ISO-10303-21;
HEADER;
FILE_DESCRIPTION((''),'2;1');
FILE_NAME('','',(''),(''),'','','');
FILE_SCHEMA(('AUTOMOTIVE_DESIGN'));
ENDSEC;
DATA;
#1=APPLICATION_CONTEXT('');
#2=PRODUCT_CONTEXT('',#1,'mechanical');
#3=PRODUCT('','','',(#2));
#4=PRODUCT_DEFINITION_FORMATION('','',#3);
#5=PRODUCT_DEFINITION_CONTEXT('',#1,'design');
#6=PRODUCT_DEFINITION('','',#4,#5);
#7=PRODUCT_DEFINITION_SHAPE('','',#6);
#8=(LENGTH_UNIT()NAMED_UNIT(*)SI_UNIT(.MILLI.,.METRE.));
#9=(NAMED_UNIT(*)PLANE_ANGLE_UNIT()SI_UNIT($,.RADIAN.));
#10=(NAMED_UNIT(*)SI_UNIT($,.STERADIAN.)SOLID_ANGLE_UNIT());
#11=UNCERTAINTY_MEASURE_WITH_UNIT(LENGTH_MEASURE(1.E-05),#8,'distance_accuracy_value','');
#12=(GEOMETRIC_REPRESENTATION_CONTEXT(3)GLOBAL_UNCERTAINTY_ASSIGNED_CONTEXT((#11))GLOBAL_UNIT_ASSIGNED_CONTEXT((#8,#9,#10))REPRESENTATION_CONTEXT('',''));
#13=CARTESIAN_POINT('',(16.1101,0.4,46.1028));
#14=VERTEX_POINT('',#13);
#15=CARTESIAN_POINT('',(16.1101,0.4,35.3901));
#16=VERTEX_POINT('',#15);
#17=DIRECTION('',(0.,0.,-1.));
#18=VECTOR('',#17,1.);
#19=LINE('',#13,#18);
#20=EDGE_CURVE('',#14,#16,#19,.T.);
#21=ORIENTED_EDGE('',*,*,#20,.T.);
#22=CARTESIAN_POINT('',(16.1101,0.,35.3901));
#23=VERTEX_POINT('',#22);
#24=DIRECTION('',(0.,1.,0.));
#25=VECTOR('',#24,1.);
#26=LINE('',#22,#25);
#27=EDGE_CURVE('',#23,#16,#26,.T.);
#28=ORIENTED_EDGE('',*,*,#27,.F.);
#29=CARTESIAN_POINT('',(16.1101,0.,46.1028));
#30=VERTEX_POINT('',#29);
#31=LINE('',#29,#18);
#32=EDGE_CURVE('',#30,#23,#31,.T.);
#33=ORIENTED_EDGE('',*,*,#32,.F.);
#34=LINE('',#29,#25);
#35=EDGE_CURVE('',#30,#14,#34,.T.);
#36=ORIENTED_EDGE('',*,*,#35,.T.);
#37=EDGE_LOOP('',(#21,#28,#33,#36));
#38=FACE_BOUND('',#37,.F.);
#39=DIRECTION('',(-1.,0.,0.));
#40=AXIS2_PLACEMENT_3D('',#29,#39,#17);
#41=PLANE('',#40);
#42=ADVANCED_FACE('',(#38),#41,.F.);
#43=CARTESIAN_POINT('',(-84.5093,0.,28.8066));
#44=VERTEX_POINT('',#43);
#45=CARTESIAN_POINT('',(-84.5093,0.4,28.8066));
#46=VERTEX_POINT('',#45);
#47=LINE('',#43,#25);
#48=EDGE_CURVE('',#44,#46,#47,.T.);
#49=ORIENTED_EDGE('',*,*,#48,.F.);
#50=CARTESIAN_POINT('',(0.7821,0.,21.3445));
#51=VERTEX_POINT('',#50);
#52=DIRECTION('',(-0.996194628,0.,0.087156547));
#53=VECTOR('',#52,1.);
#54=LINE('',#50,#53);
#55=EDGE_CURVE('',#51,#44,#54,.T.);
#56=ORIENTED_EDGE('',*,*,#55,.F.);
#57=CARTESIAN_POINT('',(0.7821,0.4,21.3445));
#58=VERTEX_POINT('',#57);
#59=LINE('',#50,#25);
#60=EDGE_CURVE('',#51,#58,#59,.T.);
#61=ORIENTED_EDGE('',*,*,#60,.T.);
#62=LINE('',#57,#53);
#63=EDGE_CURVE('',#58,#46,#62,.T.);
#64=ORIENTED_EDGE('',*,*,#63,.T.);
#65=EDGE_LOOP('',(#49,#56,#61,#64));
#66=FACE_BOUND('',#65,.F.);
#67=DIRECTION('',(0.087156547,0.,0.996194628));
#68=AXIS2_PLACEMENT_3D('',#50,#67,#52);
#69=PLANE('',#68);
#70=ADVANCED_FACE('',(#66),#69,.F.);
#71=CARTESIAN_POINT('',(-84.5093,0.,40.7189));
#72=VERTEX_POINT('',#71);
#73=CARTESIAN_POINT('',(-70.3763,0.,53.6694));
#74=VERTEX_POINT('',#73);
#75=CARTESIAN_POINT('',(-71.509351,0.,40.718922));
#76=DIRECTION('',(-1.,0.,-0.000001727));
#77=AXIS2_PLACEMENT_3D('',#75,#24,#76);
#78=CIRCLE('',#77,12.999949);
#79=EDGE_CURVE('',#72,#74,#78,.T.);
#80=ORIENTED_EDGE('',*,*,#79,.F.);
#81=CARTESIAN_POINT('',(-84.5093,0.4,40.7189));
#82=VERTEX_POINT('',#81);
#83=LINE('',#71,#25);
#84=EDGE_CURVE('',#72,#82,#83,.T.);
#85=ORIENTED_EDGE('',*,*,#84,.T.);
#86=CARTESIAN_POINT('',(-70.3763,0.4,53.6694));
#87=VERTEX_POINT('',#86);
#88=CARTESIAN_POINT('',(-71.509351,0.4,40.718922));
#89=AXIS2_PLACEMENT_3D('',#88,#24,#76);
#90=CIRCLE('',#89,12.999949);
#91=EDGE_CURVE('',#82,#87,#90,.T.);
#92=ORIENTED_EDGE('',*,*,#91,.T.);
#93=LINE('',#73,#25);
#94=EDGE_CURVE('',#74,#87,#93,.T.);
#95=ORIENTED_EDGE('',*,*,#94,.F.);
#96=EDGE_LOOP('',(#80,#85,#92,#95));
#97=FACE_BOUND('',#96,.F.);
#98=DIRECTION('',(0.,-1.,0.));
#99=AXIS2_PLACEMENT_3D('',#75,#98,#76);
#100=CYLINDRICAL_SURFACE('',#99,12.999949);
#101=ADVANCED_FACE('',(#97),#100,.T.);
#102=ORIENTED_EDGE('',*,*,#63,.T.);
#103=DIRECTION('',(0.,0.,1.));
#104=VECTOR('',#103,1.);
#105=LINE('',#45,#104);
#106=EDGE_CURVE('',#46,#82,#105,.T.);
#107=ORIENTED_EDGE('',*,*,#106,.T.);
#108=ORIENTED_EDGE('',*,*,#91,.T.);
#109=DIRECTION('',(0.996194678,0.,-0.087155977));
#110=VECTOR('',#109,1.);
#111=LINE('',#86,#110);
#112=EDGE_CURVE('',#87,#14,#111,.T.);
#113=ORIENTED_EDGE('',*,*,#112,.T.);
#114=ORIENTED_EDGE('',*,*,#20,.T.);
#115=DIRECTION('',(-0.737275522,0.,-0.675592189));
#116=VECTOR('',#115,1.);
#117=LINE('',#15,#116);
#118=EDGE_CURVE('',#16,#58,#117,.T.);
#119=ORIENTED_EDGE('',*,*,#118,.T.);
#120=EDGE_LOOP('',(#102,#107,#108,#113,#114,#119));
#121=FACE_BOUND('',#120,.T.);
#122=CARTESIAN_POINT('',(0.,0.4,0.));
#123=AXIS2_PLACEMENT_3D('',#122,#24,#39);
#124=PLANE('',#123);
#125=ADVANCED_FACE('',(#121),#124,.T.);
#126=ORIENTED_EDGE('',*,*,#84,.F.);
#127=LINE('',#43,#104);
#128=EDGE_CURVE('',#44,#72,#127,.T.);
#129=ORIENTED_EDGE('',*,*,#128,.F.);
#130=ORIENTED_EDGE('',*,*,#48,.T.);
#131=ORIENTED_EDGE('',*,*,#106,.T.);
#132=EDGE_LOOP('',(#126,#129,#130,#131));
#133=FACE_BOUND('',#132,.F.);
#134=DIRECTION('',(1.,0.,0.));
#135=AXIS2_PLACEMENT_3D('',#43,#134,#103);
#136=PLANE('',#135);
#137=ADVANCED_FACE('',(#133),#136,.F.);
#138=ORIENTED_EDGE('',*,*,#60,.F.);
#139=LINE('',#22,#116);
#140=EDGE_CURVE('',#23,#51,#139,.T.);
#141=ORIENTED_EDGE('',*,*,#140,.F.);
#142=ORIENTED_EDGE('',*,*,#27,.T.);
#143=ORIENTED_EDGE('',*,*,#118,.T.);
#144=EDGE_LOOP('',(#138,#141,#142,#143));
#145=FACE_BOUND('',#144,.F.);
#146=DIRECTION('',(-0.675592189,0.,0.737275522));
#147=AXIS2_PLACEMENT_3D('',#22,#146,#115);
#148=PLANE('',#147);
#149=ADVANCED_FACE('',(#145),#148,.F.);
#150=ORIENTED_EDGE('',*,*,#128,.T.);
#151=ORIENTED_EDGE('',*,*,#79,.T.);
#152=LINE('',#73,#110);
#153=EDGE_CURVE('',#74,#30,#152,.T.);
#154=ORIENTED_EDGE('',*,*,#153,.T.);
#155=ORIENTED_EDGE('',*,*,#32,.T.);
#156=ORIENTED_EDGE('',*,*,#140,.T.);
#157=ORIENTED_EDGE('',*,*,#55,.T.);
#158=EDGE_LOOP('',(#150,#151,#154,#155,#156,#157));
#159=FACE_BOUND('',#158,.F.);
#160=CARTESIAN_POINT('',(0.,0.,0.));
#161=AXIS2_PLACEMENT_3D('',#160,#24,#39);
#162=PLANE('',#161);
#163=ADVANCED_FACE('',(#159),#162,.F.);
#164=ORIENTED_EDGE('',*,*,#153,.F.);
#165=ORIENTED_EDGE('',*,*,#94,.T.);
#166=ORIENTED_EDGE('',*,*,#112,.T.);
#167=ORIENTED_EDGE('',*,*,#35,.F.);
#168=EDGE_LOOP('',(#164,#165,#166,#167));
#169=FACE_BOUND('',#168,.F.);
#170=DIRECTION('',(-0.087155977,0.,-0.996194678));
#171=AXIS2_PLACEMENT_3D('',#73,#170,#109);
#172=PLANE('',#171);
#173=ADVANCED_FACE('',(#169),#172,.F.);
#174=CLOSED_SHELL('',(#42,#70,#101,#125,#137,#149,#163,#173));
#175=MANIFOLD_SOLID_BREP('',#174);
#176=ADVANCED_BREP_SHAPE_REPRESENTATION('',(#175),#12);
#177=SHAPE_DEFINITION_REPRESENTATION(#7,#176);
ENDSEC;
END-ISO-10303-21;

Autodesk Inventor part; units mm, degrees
ref_plane "YZ Plane" through (0, 0, 0) normal (1, 0, 0) x (0, 1, 0)
ref_plane "XZ Plane" through (0, 0, 0) normal (0, 1, 0) x (-1, 0, 0)
ref_plane "XY Plane" through (0, 0, 0) normal (0, 0, 1) x (1, 0, 0)
sketch "Sketch1" plane through (0, 0, 0) normal (0, 1, 0) x (-1, 0, 0)
  line L0 (-0.7821, 21.3445) -> (84.5093, 28.8066)
  line L1 (84.5093, 28.8066) -> (84.5093, 40.7189)
  arc A0 (84.5093, 40.7189) -> (70.3763, 53.6694) centre (71.5093, 40.7189) ccw
  line L2 (70.3763, 53.6694) -> (-16.1101, 46.1028)
  line L3 (-16.1101, 46.1028) -> (-16.1101, 35.3901)
  line L4 (-16.1101, 35.3901) -> (-0.7821, 21.3445)
  line L5 (82.5093, 40.7189) -> (82.5093, 35.2209)
  arc A1 (77.9451, 30.2399) -> (82.5093, 35.2209) centre (77.5093, 35.2209) ccw
  line L6 (77.9451, 30.2399) -> (2.112, 23.6054)
  arc A2 (-1.7018, 24.8999) -> (2.112, 23.6054) centre (1.6762, 28.5863) ccw
  line L7 (-1.7018, 24.8999) -> (-12.4881, 34.7838)
  arc A3 (-14.1101, 38.4702) -> (-12.4881, 34.7838) centre (-9.1101, 38.4702) ccw
  line L8 (-14.1101, 38.4702) -> (-14.1101, 39.6885)
  arc A4 (-9.5459, 44.6695) -> (-14.1101, 39.6885) centre (-9.1101, 39.6885) ccw
  line L9 (-9.5459, 44.6695) -> (70.5506, 51.677)
  arc A5 (82.5093, 40.7189) -> (70.5506, 51.677) centre (71.5093, 40.7189) ccw
  line L10 (-15.9101, 45.9195) -> (70.3937, 53.4702)
  arc A6 (84.3093, 40.7189) -> (70.3937, 53.4702) centre (71.5093, 40.7189) ccw
  line L11 (84.3093, 40.7189) -> (84.3093, 28.9898)
  line L12 (84.3093, 28.9898) -> (-0.7118, 21.5514)
  line L13 (-0.7118, 21.5514) -> (-15.9101, 35.4781)
  line L14 (-15.9101, 35.4781) -> (-15.9101, 45.9195)
  point P0 (0, 0)
  dimension "d0" = 0.2
extrude "Extrusion1" add sketch "Sketch1" along normal blind 0.4 contours L4 L3 L2 A0 L1 L0 | L5 A1 L6 A2 L7 A3 L8 A4 L9 A5 | L10 A6 L11 L12 L13 L14
properties part number "e"
